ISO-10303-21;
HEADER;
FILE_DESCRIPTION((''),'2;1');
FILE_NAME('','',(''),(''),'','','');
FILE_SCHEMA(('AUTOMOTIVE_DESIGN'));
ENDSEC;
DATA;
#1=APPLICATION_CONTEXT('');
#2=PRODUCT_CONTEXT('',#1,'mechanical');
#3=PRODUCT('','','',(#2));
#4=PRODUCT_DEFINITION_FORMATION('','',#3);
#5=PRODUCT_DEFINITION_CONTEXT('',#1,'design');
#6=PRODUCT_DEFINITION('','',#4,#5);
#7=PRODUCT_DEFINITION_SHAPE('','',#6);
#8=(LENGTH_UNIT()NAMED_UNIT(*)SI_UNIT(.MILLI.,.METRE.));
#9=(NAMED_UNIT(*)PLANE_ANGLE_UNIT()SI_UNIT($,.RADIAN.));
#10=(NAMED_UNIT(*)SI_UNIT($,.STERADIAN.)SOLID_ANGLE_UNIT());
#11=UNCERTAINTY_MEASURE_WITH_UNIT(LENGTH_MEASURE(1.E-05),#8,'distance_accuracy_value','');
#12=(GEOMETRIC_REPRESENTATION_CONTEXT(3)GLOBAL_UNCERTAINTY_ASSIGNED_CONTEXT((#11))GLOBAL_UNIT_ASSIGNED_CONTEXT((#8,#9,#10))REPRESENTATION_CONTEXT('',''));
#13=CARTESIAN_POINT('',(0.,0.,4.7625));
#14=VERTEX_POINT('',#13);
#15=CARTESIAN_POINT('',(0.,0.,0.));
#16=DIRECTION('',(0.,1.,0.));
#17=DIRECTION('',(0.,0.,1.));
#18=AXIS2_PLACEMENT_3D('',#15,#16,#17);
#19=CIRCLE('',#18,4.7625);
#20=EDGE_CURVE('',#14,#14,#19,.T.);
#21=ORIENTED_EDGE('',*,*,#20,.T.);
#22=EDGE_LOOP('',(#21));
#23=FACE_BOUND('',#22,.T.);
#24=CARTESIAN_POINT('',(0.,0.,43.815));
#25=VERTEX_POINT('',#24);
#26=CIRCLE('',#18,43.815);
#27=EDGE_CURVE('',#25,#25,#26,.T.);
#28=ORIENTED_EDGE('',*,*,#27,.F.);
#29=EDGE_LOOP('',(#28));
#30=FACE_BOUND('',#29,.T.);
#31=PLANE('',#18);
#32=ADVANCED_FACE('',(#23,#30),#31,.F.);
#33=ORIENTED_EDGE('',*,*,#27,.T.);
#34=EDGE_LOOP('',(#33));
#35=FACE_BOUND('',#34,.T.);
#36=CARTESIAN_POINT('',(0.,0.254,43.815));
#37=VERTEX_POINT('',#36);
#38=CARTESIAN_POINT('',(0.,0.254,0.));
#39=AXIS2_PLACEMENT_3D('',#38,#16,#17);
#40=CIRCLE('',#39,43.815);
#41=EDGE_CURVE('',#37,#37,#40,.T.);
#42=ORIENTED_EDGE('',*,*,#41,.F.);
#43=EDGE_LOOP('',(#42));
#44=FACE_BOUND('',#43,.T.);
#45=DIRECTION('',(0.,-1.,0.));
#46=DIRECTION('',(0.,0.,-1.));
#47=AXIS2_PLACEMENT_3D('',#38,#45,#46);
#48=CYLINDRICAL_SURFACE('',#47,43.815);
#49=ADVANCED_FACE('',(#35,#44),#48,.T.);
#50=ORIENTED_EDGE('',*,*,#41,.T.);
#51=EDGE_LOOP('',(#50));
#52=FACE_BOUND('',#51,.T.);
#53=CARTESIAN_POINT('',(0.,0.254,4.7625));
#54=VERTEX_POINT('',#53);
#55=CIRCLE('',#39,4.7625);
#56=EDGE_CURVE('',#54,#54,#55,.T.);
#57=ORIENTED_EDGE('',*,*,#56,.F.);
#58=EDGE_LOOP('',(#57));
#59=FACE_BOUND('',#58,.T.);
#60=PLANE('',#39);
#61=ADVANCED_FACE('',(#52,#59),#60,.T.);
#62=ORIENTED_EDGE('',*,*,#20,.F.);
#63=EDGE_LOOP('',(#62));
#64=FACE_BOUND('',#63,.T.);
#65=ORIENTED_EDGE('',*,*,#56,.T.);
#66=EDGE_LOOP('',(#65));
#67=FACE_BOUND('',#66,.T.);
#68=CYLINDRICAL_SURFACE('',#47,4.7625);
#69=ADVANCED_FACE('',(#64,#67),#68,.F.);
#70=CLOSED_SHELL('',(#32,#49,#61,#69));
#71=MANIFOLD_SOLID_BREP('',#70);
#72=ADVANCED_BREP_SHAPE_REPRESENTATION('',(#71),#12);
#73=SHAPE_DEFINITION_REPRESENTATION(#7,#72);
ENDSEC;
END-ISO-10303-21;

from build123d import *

# Parameters (mm, degrees)
SKETCH1_R           = 43.815
SKETCH1_R_2         = 4.7625
BOSS_EXTRUDE2_DEPTH = 0.254


with BuildPart() as part:
    # Sketch1 → Boss-Extrude2 (new body)
    with BuildSketch(Plane(origin=(0, 0, 0), x_dir=(1, 0, 0), z_dir=(0, 1, 0))):
        Circle(SKETCH1_R)
        Circle(SKETCH1_R_2, mode=Mode.SUBTRACT)
    extrude(amount=BOSS_EXTRUDE2_DEPTH)


solid = part.part
